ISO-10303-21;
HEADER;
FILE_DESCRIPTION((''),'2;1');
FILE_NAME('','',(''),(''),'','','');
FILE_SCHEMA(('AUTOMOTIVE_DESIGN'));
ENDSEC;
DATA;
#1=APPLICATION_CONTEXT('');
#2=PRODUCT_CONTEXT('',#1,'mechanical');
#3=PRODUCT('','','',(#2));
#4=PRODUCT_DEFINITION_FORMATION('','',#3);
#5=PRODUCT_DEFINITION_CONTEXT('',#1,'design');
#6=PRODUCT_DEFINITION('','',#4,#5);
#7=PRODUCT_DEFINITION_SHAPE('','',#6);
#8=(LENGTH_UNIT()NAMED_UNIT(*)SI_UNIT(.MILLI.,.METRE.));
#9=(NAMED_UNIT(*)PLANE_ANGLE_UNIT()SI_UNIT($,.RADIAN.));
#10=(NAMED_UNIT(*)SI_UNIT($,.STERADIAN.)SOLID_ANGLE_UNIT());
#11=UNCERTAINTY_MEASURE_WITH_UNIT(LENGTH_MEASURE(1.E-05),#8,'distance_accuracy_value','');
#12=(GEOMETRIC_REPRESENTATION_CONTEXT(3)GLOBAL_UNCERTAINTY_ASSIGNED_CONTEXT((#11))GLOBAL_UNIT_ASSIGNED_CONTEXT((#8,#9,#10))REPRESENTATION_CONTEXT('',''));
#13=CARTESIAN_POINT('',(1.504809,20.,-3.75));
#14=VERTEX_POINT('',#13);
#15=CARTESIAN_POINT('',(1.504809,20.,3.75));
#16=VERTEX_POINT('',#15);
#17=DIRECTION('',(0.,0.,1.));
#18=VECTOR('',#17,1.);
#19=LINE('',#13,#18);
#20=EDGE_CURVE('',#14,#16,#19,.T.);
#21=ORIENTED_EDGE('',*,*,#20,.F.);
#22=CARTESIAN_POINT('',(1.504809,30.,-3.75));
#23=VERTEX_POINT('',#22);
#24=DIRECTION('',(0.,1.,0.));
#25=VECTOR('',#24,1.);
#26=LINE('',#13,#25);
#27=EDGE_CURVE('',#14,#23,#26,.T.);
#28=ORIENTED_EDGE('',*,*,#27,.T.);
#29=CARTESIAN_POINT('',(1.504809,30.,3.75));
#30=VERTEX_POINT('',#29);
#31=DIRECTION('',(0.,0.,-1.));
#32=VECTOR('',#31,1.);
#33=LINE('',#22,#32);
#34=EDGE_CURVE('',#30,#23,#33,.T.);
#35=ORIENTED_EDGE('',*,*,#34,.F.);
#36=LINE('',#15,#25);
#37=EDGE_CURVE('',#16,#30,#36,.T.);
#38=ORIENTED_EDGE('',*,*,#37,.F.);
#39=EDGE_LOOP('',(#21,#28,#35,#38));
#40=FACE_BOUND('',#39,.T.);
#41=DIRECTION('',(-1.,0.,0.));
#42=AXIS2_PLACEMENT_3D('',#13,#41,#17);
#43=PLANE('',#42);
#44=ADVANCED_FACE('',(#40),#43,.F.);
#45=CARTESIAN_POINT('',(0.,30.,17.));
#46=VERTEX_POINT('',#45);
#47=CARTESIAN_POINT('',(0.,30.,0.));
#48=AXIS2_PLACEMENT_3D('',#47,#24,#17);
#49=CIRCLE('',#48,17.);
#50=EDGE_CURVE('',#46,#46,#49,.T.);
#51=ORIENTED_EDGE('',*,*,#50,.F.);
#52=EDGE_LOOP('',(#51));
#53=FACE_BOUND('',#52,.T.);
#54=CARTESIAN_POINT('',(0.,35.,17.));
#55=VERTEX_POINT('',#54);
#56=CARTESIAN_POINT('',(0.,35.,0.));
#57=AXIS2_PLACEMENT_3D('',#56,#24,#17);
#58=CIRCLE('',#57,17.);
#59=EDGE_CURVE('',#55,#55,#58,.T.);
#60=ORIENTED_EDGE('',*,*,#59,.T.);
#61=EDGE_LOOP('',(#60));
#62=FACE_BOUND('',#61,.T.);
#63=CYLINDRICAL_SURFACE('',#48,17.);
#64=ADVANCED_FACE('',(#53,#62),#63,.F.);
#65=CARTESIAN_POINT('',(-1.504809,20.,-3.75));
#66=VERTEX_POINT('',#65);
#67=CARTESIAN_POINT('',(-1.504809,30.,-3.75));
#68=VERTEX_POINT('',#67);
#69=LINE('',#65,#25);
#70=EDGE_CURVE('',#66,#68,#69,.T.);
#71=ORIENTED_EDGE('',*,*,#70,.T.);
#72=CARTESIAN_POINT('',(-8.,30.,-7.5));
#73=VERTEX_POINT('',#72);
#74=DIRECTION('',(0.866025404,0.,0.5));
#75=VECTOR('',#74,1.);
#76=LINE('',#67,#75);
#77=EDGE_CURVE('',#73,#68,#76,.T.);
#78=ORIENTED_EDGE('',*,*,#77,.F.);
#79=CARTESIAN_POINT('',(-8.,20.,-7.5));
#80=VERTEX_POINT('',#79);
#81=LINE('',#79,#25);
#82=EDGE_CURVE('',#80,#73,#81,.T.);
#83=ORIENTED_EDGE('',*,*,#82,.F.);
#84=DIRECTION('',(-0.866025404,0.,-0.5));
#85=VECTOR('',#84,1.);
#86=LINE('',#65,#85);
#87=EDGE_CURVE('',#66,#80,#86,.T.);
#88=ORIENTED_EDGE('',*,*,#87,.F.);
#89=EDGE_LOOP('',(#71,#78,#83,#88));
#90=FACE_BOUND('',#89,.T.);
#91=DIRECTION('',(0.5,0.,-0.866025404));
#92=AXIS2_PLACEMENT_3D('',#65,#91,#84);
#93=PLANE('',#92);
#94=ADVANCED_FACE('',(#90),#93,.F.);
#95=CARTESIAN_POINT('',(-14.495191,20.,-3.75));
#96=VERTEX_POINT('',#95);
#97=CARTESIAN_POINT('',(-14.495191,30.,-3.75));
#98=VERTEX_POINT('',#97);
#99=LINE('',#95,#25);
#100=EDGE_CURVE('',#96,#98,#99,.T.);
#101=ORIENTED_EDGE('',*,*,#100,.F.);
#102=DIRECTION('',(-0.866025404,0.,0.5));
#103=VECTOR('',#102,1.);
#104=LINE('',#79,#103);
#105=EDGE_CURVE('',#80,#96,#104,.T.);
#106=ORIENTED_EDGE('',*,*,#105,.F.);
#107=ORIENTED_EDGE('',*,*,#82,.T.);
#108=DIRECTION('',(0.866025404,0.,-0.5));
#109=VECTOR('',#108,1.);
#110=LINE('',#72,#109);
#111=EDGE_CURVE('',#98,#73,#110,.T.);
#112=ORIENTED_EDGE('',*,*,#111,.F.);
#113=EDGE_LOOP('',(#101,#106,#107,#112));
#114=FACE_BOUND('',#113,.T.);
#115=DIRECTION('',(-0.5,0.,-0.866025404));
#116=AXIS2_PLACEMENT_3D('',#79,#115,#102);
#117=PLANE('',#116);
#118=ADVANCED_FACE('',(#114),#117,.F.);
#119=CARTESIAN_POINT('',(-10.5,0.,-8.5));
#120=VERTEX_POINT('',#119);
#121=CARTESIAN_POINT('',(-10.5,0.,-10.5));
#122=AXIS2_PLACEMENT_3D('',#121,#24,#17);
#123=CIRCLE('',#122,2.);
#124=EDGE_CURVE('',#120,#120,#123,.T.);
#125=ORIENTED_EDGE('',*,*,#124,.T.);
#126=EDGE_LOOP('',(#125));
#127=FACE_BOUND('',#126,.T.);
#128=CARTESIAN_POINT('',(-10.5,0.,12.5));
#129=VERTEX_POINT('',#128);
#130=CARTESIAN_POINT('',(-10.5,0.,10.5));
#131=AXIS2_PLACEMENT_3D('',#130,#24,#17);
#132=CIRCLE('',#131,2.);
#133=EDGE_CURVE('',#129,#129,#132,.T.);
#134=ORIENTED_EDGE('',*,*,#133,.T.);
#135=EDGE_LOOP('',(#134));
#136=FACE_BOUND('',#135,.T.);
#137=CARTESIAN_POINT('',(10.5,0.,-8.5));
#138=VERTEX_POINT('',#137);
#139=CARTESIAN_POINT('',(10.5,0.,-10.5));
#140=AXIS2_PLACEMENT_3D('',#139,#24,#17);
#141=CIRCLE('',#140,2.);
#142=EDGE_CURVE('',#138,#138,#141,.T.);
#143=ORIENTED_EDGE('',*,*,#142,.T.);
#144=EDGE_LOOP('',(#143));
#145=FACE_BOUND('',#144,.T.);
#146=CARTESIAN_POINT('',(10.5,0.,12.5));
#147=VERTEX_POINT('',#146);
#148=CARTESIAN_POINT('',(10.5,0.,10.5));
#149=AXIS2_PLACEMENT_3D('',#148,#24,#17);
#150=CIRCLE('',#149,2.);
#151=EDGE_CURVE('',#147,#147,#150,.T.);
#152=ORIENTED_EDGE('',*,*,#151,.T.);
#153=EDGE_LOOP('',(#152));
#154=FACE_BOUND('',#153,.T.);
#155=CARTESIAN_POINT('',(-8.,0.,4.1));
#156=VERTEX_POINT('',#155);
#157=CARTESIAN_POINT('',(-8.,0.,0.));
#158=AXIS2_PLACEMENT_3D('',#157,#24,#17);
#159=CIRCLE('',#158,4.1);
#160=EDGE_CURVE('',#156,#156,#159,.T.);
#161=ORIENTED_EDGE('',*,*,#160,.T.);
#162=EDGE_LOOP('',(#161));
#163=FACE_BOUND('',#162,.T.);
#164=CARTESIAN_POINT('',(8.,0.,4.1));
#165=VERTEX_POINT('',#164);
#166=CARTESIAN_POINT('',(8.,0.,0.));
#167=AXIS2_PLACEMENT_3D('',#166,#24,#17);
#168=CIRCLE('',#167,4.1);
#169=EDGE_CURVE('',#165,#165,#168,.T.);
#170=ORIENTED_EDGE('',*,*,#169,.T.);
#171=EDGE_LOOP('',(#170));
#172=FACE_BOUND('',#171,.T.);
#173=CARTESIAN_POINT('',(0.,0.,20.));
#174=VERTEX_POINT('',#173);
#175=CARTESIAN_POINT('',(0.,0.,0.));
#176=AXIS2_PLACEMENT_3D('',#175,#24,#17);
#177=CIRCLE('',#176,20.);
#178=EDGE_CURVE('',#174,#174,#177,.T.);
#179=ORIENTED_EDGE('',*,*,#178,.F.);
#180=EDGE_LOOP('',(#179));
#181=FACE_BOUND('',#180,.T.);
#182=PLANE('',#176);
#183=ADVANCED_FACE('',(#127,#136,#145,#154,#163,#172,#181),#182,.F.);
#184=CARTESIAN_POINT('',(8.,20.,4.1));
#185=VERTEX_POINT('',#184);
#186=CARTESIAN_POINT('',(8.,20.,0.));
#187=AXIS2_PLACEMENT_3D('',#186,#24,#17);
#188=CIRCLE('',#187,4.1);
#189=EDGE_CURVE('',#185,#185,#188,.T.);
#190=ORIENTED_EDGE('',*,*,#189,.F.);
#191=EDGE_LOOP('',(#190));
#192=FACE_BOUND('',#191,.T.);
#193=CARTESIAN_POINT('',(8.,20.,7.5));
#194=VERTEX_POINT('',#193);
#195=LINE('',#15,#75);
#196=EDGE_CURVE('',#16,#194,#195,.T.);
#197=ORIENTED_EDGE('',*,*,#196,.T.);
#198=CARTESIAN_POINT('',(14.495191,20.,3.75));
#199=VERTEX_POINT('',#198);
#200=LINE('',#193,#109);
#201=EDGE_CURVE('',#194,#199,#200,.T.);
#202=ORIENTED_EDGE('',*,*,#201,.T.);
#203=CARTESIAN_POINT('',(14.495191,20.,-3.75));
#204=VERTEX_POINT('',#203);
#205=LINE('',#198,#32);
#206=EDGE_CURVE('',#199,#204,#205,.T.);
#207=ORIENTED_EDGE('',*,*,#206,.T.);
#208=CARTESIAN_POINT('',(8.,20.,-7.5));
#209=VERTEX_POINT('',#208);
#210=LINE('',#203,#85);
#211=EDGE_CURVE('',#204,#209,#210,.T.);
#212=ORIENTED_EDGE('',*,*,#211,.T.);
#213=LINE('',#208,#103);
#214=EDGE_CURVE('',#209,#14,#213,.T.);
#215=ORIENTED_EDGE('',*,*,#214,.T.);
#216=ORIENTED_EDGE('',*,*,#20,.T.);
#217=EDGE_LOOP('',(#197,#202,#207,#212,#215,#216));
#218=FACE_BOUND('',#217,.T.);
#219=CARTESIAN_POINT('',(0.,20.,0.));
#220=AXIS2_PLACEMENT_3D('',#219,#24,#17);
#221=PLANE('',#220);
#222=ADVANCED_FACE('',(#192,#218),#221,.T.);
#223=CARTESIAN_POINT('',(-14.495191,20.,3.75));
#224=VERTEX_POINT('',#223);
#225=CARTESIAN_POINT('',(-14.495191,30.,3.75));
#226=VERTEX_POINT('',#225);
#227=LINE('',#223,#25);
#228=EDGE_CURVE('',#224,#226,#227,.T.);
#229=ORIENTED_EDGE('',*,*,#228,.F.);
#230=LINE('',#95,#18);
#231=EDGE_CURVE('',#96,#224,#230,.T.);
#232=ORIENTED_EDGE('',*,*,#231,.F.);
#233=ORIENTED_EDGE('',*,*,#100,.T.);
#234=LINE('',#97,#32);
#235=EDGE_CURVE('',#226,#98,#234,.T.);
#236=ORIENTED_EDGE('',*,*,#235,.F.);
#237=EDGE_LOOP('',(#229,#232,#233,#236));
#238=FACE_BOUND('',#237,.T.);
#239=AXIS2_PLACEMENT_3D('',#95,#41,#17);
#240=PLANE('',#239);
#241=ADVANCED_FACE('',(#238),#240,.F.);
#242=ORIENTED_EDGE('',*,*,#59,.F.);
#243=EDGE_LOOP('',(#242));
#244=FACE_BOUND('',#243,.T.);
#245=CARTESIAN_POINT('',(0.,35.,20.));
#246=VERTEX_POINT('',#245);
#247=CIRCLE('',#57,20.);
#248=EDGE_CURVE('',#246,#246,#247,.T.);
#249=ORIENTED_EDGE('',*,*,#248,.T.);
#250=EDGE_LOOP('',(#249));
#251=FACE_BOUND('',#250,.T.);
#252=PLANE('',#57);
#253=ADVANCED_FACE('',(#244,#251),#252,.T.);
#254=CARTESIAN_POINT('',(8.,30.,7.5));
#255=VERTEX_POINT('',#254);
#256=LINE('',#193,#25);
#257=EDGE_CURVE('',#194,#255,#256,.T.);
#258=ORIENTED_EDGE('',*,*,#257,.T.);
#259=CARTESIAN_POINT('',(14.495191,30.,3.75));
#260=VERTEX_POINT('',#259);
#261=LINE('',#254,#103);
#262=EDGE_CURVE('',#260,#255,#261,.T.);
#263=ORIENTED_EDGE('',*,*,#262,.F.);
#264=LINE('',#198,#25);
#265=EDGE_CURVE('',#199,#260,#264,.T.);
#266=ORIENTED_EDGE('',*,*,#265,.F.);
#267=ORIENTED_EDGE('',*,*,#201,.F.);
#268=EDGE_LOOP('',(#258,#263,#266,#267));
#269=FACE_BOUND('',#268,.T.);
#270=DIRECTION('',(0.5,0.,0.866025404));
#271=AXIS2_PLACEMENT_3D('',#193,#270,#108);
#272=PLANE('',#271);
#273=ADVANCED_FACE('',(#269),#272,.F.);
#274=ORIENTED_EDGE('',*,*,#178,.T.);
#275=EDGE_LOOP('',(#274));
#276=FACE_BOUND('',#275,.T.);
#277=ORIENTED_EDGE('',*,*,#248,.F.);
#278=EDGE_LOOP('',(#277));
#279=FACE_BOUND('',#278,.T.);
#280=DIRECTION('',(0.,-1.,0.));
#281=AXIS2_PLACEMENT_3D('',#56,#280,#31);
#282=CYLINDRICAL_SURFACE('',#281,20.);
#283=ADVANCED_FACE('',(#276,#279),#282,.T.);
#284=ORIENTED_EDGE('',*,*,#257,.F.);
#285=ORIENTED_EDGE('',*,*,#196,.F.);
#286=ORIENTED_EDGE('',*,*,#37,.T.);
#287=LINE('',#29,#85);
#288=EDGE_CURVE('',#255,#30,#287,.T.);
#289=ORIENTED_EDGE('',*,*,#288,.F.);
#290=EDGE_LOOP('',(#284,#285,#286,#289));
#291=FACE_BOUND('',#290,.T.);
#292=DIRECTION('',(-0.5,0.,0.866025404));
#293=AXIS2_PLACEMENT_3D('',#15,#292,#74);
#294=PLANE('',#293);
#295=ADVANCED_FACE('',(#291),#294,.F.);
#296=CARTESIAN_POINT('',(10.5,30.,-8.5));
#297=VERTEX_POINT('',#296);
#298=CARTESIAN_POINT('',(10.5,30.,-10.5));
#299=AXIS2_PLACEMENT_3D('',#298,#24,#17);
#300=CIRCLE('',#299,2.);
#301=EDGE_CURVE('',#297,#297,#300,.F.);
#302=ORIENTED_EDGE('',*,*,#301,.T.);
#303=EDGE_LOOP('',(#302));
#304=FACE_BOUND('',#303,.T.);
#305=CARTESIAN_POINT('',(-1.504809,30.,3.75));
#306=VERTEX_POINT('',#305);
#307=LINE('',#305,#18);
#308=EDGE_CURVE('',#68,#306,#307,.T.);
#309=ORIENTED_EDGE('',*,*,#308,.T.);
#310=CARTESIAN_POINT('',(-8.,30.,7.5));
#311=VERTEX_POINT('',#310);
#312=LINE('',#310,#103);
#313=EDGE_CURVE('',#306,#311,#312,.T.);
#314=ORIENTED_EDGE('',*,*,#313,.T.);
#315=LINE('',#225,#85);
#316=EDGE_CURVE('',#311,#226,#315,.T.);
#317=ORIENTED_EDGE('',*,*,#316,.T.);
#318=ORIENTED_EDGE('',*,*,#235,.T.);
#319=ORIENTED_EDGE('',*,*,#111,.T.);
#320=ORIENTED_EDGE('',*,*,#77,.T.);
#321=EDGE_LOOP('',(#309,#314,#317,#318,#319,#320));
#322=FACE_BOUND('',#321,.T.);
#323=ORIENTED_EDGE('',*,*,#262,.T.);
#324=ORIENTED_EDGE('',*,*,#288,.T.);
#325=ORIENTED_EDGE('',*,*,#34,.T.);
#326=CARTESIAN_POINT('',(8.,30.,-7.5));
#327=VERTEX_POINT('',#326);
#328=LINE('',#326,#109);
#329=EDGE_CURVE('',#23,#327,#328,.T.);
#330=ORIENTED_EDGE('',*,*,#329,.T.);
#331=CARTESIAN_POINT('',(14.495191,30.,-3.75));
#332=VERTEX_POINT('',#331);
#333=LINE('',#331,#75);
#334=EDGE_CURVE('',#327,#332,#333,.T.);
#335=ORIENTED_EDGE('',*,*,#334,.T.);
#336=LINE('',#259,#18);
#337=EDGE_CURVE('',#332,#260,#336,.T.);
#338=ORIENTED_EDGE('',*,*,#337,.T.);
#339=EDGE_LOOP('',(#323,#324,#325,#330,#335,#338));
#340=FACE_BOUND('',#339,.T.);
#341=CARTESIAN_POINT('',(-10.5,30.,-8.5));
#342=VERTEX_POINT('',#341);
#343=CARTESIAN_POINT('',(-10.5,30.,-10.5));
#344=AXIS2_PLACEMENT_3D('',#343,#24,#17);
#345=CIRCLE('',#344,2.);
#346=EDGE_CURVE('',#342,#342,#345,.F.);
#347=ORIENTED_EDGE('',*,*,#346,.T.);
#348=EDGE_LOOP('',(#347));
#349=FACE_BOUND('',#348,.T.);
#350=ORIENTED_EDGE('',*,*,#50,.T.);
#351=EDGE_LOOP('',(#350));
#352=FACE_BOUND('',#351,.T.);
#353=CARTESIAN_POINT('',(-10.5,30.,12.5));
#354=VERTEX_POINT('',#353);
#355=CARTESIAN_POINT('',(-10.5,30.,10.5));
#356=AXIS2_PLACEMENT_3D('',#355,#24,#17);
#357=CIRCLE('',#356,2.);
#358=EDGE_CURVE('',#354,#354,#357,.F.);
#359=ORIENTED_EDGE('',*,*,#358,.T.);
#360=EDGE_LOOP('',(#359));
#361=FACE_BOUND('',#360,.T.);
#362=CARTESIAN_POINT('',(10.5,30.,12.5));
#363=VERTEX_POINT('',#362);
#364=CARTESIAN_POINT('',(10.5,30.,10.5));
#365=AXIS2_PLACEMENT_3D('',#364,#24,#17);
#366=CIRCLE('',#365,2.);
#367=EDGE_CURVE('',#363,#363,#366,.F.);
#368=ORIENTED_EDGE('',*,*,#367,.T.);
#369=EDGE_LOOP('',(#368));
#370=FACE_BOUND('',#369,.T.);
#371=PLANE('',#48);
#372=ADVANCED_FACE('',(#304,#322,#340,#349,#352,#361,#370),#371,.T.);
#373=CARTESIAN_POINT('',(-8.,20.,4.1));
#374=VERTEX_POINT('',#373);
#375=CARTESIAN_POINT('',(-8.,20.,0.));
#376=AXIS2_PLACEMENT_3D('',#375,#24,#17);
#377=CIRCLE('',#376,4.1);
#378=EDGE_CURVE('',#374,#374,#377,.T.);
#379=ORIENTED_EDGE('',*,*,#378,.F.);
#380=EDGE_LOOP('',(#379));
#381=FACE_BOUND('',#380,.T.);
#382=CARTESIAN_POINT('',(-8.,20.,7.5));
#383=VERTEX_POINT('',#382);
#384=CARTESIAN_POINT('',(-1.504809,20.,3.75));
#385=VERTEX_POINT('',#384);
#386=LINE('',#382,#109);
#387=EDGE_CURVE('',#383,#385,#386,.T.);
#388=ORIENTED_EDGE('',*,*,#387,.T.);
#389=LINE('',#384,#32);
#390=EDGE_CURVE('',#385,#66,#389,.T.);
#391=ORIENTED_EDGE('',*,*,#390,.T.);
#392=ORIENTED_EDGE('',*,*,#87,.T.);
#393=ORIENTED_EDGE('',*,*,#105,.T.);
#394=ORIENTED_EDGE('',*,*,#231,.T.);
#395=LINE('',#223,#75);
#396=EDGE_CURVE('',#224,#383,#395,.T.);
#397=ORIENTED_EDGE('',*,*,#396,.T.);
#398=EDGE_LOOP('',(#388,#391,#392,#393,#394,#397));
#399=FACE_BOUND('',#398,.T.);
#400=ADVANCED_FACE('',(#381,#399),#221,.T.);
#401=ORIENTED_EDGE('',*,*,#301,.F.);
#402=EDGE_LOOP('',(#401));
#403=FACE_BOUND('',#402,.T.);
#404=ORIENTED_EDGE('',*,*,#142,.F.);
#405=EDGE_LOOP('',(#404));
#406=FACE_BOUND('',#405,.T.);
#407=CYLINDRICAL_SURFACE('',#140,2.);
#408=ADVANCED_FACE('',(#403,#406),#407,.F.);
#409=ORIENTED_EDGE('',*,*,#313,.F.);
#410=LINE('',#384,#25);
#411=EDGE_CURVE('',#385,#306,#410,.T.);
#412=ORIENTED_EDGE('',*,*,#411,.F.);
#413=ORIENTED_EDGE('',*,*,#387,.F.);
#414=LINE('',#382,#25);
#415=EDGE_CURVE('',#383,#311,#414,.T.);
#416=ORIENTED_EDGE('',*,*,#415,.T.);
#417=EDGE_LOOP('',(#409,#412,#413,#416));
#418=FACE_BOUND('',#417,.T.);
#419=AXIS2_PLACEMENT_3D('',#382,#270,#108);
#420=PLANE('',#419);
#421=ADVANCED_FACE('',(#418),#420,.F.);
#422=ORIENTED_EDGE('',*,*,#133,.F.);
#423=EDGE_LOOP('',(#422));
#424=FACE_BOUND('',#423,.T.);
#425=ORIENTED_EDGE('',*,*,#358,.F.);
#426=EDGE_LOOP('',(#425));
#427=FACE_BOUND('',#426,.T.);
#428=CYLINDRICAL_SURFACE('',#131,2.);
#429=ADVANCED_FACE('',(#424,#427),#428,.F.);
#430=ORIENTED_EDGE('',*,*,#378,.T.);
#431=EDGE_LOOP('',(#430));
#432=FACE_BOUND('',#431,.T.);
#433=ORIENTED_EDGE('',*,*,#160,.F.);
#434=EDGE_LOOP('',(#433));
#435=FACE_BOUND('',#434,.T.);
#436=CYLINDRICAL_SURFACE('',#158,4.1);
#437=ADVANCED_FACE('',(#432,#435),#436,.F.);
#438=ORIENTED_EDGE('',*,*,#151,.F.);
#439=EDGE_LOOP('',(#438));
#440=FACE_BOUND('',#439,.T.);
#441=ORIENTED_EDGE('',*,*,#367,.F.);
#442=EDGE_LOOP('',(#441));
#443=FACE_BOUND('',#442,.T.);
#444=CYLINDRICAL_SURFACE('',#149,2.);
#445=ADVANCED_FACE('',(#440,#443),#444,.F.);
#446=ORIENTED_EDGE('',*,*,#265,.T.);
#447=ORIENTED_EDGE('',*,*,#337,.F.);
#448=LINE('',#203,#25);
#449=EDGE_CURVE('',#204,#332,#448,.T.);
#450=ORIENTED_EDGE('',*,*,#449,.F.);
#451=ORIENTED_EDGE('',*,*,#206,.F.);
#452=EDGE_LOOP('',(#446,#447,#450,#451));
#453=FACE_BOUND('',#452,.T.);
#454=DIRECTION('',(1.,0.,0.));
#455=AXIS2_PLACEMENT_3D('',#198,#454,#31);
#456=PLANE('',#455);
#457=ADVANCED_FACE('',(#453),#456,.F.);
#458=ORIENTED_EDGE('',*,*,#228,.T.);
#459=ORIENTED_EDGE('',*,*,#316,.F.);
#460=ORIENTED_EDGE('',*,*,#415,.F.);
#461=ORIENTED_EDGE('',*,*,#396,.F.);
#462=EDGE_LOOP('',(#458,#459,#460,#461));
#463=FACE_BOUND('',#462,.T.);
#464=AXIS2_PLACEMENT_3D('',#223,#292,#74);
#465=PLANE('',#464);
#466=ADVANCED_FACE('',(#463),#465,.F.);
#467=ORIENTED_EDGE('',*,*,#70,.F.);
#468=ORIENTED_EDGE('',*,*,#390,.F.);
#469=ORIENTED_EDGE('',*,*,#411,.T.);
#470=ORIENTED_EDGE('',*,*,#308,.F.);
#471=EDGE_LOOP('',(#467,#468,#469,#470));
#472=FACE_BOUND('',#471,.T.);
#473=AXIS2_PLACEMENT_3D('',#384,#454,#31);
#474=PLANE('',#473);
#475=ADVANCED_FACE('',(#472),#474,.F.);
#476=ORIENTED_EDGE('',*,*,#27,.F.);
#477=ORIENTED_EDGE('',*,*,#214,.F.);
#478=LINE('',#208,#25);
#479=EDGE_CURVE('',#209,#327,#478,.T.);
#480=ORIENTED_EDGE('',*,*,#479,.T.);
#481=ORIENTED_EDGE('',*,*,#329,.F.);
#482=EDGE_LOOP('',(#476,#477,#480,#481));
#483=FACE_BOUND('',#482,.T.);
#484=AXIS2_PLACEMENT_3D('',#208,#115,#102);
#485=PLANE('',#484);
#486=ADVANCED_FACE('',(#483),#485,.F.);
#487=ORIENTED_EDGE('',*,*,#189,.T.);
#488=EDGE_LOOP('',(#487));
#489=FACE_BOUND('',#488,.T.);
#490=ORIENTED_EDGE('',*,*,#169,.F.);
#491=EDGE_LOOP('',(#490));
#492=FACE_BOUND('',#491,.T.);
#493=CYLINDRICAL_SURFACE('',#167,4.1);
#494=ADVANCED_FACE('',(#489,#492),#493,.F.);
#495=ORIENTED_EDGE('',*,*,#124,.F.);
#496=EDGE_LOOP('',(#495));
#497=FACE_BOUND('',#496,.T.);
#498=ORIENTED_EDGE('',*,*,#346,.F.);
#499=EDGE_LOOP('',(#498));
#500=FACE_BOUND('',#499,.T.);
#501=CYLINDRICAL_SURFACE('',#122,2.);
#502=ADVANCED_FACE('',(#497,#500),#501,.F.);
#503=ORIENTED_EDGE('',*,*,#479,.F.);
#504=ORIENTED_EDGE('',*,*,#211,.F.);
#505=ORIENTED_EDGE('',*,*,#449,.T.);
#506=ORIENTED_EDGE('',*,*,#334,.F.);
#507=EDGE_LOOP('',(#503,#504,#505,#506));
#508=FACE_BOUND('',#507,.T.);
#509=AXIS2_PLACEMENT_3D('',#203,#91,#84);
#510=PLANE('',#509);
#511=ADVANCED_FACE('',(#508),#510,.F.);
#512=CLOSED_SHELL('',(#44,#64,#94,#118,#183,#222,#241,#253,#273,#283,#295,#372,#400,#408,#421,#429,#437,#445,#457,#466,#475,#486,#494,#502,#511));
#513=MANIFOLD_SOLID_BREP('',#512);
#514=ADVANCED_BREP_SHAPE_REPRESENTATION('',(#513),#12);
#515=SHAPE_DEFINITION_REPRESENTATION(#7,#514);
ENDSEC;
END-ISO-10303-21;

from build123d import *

# Parameters (mm, degrees)
SKETCH1_R           = 20
BOSS_EXTRUDE1_DEPTH = 35
CUT_EXTRUDE1_DEPTH  = 15
SKETCH3_R           = 4.1
CUT_EXTRUDE2_DEPTH  = 21
SKETCH4_R           = 2
CUT_EXTRUDE3_DEPTH  = 36
SKETCH5_R           = 17
CUT_EXTRUDE4_DEPTH  = 5


with BuildPart() as part:
    # Sketch1 → Boss-Extrude1 (new body)
    with BuildSketch(Plane(origin=(0, 0, 0), x_dir=(1, 0, 0), z_dir=(0, 1, 0))):
        Circle(SKETCH1_R)
    extrude(amount=BOSS_EXTRUDE1_DEPTH)

    # Sketch2 → Cut-Extrude1 (cut)
    with BuildSketch(Plane(origin=(0, 35, 0), x_dir=(1, 0, 0), z_dir=(0, 1, 0))):
        Polygon((-8, 7.5), (-14.495190528, 3.75), (-14.495190528, -3.75), (-8, -7.5), (-1.504809472, -3.75), (-1.504809472, 3.75), align=None)
        Polygon((8, 7.5), (1.504809472, 3.75), (1.504809472, -3.75), (8, -7.5), (14.495190528, -3.75), (14.495190528, 3.75), align=None)
    extrude(amount=-CUT_EXTRUDE1_DEPTH, mode=Mode.SUBTRACT)

    # Sketch3 → Cut-Extrude2 (cut, through all)
    with BuildSketch(Plane(origin=(0, 20, 0), x_dir=(1, 0, 0), z_dir=(0, 1, 0))):
        with Locations((-8, 0)):
            Circle(SKETCH3_R)
        with Locations((8, 0)):
            Circle(SKETCH3_R)
    extrude(amount=-CUT_EXTRUDE2_DEPTH, mode=Mode.SUBTRACT)

    # Sketch4 → Cut-Extrude3 (cut, through all)
    with BuildSketch(Plane(origin=(0, 35, 0), x_dir=(1, 0, 0), z_dir=(0, 1, 0))):
        with Locations((-10.5, 10.5)):
            Circle(SKETCH4_R)
        with Locations((10.5, 10.5)):
            Circle(SKETCH4_R)
        with Locations((10.5, -10.5)):
            Circle(SKETCH4_R)
        with Locations((-10.5, -10.5)):
            Circle(SKETCH4_R)
    extrude(amount=-CUT_EXTRUDE3_DEPTH, mode=Mode.SUBTRACT)

    # Sketch5 → Cut-Extrude4 (cut)
    with BuildSketch(Plane(origin=(0, 35, 0), x_dir=(1, 0, 0), z_dir=(0, 1, 0))):
        Circle(SKETCH5_R)
    extrude(amount=-CUT_EXTRUDE4_DEPTH, mode=Mode.SUBTRACT)


solid = part.part
